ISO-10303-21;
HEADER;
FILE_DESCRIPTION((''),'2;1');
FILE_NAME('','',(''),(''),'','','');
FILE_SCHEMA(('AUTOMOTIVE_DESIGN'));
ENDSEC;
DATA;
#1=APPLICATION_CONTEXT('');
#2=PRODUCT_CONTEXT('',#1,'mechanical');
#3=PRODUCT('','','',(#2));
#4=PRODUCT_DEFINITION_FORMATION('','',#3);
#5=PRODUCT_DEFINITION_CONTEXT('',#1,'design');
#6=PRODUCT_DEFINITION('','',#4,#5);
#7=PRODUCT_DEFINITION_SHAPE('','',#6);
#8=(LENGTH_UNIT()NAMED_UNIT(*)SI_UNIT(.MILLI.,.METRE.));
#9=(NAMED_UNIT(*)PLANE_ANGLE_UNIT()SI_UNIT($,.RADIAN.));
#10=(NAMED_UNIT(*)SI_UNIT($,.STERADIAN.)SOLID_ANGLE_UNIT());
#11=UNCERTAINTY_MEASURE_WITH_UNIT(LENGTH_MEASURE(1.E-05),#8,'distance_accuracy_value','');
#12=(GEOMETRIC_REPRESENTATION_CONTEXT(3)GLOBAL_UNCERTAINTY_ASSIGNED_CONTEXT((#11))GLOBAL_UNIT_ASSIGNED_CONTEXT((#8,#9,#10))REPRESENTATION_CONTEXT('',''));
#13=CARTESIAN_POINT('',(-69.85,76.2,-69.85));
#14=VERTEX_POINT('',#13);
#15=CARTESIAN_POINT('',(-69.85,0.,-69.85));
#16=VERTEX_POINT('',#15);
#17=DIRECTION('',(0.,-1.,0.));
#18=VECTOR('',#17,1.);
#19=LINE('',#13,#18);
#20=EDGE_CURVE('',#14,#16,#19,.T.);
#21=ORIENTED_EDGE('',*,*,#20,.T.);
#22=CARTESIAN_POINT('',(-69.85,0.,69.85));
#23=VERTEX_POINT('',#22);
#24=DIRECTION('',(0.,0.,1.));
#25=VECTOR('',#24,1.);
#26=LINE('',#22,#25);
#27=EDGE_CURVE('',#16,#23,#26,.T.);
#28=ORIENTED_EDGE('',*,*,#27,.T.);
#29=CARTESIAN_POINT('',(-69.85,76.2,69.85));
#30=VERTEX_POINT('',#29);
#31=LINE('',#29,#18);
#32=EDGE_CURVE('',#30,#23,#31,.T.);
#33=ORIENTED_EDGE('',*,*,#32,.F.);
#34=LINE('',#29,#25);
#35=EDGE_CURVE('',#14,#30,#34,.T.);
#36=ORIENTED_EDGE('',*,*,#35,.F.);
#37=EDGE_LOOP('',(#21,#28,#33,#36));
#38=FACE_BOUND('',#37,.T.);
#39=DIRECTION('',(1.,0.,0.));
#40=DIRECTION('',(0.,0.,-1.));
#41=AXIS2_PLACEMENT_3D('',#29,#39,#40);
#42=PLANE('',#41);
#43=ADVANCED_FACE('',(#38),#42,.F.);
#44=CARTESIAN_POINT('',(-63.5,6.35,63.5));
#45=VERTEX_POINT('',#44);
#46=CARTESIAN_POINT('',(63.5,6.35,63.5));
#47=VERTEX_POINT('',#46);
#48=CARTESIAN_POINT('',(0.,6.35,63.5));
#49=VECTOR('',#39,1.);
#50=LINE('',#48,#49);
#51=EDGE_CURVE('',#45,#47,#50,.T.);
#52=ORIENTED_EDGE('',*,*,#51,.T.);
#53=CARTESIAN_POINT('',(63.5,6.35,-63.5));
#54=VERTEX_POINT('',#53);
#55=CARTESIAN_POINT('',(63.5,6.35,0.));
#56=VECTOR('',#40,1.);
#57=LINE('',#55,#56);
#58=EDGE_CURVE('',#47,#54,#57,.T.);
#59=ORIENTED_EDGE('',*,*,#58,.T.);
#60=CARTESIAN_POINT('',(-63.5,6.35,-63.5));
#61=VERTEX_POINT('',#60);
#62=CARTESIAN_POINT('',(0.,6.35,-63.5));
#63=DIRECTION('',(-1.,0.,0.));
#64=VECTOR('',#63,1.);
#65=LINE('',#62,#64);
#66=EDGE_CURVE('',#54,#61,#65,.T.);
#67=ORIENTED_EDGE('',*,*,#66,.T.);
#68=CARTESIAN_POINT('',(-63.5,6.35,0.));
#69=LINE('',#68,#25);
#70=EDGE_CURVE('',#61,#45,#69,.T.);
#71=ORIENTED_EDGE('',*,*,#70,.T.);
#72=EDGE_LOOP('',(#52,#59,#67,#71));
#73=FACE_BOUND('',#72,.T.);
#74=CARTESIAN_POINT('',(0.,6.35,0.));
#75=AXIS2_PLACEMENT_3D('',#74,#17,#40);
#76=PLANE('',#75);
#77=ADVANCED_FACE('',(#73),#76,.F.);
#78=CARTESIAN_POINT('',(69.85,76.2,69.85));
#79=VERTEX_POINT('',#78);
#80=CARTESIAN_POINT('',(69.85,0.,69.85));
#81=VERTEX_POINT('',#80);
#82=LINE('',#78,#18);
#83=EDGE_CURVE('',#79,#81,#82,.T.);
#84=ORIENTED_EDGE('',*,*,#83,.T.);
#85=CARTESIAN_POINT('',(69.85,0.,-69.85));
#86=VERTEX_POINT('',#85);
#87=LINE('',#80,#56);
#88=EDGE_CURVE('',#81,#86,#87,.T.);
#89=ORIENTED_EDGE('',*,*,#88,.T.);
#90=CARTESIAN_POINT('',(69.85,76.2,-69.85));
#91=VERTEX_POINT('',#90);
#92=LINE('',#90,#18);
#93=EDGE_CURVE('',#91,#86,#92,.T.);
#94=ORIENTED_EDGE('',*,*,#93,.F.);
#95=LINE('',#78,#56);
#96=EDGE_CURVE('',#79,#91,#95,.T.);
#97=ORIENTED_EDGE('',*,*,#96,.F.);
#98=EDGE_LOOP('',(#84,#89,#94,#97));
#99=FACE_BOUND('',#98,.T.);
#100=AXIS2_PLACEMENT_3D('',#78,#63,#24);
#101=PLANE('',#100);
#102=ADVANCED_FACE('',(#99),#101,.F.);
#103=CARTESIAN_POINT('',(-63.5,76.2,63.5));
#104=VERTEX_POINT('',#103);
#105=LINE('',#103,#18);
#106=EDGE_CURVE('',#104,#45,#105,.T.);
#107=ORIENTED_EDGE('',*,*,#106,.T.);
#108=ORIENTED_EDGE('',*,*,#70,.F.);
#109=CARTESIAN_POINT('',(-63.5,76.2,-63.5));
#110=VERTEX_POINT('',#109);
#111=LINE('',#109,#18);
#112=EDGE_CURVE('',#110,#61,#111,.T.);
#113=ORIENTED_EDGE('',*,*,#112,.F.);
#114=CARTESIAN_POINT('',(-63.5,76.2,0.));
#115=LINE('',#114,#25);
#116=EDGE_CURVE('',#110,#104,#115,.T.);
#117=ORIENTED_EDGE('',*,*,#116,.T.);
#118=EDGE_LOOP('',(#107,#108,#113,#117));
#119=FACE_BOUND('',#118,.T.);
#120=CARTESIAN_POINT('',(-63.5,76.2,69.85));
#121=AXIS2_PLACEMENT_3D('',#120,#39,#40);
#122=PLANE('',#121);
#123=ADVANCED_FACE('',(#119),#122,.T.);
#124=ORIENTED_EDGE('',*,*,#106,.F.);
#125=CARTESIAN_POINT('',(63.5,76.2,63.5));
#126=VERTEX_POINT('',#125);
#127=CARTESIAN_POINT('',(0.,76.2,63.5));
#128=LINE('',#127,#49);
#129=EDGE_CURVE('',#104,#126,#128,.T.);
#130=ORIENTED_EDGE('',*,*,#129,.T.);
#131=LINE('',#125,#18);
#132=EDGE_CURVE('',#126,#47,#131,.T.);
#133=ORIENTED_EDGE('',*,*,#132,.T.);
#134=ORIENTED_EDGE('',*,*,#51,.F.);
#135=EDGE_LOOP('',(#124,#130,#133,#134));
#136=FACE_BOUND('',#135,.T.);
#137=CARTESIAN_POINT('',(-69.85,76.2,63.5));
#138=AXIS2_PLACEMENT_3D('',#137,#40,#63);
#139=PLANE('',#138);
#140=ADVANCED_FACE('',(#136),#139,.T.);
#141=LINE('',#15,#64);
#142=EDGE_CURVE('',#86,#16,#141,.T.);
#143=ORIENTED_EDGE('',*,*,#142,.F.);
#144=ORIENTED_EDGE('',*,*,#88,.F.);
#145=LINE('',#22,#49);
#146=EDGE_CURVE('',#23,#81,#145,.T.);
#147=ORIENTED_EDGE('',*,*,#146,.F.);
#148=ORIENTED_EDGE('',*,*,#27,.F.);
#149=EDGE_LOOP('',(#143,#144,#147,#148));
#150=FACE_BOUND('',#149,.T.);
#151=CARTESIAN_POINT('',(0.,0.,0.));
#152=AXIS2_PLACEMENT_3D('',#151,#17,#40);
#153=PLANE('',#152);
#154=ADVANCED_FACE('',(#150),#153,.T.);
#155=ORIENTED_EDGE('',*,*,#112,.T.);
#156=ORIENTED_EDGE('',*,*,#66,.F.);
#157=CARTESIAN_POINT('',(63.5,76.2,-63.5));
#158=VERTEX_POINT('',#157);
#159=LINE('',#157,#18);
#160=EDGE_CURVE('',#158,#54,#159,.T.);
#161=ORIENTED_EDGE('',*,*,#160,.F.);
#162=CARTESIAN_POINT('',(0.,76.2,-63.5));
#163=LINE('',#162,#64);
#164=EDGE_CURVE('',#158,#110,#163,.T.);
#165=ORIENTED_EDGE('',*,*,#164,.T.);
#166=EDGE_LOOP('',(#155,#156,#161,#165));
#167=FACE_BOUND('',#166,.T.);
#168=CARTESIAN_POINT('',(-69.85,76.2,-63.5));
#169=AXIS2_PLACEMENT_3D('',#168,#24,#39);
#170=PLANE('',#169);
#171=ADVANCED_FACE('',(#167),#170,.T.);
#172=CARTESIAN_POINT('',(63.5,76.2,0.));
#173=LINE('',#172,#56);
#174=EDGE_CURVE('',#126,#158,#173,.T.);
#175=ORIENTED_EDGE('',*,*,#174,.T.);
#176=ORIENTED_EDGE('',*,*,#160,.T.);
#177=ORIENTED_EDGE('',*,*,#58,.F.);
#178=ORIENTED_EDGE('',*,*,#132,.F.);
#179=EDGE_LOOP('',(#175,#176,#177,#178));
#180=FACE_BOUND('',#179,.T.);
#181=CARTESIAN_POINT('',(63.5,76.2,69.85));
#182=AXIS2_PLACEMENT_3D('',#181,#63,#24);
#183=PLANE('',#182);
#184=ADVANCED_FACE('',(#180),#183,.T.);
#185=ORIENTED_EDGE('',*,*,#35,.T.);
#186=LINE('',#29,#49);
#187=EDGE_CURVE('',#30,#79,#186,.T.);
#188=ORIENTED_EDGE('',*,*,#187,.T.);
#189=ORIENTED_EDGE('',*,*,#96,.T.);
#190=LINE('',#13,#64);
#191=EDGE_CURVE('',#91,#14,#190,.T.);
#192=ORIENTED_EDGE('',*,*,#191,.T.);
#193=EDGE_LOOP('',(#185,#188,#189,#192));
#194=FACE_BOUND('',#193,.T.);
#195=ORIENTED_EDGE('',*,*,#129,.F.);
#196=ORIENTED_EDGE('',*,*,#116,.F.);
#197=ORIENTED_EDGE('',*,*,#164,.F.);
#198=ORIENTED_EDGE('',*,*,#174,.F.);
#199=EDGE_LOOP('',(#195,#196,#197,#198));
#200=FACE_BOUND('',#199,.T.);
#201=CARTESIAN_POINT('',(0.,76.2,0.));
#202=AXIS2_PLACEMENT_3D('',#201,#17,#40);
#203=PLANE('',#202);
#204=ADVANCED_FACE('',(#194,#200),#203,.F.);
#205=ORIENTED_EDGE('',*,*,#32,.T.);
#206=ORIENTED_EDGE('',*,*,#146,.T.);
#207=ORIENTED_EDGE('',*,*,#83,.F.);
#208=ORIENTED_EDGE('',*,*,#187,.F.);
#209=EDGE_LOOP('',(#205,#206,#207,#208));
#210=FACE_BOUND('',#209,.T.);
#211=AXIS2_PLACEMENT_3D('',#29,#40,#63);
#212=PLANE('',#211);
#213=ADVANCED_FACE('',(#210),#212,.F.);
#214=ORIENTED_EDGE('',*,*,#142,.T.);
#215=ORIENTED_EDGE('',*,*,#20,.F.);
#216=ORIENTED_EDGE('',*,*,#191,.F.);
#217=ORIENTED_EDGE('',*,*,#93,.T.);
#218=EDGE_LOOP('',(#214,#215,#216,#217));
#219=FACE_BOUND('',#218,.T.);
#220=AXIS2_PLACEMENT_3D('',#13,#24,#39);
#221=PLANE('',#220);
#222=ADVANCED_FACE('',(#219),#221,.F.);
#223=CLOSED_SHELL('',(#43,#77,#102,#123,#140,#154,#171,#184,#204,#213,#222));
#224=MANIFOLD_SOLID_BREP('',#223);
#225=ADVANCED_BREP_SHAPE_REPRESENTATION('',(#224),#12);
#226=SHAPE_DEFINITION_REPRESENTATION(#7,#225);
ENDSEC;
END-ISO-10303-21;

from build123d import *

# Parameters (mm, degrees)
SKETCH1_W           = 139.7
SKETCH1_H           = 139.7
BOSS_EXTRUDE1_DEPTH = 76.2
SHELL2_T            = -6.35


with BuildPart() as part:
    # Sketch1 → Boss-Extrude1 (new body)
    with BuildSketch(Plane(origin=(0, 0, 0), x_dir=(1, 0, 0), z_dir=(0, 1, 0))):
        Rectangle(SKETCH1_W, SKETCH1_H)
    extrude(amount=BOSS_EXTRUDE1_DEPTH)

    # Shell2
    shell2_openings = [part.faces().sort_by_distance(p)[0] for p in [
        (0, 76.2, 0),
    ]]
    offset(amount=SHELL2_T, openings=shell2_openings, kind=Kind.INTERSECTION)


solid = part.part
